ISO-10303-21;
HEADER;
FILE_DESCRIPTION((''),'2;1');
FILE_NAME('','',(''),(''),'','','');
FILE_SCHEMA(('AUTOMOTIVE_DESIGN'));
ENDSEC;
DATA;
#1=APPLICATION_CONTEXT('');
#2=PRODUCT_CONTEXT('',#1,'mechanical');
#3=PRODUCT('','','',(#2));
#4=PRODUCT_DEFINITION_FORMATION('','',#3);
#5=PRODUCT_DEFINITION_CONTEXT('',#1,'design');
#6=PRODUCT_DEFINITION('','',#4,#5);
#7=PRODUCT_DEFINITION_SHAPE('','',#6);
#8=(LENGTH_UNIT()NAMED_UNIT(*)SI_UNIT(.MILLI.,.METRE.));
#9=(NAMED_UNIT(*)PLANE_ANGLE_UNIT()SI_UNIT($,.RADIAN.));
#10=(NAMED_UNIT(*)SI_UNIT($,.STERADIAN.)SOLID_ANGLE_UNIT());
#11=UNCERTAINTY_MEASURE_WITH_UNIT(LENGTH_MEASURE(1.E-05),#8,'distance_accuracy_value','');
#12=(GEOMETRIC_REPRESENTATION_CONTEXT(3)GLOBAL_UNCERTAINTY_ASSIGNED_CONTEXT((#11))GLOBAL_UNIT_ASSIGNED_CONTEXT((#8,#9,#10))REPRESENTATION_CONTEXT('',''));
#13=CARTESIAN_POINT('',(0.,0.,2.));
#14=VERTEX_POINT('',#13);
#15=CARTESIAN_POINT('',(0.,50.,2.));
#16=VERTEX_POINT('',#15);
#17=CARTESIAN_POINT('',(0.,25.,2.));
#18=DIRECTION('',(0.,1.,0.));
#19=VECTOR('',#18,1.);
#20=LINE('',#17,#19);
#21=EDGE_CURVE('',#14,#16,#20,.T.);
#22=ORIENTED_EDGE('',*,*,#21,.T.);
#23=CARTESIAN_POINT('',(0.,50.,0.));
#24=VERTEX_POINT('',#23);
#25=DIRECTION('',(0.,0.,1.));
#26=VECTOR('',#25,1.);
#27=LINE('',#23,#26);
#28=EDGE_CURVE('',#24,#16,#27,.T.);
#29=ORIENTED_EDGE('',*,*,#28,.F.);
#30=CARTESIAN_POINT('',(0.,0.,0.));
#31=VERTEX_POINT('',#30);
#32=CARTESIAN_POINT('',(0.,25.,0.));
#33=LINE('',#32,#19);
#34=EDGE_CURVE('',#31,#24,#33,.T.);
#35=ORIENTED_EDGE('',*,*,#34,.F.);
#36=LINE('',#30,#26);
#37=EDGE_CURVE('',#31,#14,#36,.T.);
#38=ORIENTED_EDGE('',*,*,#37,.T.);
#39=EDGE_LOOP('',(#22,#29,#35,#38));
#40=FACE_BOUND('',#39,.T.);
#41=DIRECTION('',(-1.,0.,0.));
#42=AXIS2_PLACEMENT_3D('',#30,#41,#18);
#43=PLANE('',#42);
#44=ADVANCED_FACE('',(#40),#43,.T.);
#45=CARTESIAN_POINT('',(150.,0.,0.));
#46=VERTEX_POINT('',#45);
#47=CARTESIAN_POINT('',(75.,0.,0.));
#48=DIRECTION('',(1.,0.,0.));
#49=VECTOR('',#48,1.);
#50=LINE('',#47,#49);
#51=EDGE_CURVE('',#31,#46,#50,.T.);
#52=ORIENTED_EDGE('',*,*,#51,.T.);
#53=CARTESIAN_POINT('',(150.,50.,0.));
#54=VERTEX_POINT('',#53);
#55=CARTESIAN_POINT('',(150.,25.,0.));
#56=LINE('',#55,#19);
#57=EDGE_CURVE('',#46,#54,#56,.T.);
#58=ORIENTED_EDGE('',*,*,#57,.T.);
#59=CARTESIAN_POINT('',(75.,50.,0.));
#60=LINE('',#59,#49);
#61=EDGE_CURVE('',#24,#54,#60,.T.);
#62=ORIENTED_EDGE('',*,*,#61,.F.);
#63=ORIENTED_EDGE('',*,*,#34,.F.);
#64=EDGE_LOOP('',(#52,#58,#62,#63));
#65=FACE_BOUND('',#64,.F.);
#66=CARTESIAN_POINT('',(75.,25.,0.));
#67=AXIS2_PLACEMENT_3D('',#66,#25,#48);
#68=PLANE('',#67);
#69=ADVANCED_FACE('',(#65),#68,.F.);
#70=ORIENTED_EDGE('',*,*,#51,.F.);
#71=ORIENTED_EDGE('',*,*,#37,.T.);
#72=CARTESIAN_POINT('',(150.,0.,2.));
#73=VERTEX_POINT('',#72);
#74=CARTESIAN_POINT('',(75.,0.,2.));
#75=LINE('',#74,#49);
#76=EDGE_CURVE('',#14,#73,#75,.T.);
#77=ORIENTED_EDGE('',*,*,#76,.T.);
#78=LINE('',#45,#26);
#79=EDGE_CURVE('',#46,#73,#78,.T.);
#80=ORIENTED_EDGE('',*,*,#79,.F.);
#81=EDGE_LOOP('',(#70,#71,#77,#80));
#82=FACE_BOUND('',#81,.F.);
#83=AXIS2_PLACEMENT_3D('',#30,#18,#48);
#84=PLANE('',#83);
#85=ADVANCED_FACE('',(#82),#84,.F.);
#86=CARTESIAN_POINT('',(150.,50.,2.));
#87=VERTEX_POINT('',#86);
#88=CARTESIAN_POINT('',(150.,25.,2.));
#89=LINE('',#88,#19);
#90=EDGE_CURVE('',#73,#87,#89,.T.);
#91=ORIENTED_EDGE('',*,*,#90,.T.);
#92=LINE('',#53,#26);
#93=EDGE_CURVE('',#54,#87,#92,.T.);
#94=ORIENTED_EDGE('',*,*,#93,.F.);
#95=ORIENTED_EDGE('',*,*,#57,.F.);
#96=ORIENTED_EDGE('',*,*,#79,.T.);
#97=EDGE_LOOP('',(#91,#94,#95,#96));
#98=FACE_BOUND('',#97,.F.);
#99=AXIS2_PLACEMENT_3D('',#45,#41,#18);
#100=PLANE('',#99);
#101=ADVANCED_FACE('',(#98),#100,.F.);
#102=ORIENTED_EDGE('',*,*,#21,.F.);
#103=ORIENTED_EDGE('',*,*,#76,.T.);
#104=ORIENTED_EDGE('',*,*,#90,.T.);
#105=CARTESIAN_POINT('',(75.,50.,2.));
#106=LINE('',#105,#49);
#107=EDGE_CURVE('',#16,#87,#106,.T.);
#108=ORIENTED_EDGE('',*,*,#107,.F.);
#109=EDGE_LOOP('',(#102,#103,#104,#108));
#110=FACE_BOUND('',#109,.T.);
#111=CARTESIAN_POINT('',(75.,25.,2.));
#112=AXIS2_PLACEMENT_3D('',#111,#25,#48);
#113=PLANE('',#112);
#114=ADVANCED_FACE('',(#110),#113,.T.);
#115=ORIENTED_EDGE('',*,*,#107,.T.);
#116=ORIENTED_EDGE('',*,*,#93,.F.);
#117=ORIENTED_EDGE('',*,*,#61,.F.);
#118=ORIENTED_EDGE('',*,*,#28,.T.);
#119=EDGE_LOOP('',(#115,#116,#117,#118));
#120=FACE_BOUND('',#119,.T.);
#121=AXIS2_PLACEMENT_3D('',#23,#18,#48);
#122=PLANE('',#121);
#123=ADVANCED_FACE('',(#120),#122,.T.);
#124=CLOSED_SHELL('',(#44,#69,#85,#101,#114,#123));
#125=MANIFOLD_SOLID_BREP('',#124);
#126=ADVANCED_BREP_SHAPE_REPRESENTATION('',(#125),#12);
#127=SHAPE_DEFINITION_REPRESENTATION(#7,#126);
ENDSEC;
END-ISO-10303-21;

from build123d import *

# Parameters (mm, degrees)
SKETCH001_W = 150
SKETCH001_H = 50
PAD_DEPTH   = 2


with BuildPart() as part:
    # Sketch001 → Pad (new body)
    with BuildSketch(Plane.XY):
        with Locations((75, 25)):
            Rectangle(SKETCH001_W, SKETCH001_H)
    extrude(amount=PAD_DEPTH)


solid = part.part
